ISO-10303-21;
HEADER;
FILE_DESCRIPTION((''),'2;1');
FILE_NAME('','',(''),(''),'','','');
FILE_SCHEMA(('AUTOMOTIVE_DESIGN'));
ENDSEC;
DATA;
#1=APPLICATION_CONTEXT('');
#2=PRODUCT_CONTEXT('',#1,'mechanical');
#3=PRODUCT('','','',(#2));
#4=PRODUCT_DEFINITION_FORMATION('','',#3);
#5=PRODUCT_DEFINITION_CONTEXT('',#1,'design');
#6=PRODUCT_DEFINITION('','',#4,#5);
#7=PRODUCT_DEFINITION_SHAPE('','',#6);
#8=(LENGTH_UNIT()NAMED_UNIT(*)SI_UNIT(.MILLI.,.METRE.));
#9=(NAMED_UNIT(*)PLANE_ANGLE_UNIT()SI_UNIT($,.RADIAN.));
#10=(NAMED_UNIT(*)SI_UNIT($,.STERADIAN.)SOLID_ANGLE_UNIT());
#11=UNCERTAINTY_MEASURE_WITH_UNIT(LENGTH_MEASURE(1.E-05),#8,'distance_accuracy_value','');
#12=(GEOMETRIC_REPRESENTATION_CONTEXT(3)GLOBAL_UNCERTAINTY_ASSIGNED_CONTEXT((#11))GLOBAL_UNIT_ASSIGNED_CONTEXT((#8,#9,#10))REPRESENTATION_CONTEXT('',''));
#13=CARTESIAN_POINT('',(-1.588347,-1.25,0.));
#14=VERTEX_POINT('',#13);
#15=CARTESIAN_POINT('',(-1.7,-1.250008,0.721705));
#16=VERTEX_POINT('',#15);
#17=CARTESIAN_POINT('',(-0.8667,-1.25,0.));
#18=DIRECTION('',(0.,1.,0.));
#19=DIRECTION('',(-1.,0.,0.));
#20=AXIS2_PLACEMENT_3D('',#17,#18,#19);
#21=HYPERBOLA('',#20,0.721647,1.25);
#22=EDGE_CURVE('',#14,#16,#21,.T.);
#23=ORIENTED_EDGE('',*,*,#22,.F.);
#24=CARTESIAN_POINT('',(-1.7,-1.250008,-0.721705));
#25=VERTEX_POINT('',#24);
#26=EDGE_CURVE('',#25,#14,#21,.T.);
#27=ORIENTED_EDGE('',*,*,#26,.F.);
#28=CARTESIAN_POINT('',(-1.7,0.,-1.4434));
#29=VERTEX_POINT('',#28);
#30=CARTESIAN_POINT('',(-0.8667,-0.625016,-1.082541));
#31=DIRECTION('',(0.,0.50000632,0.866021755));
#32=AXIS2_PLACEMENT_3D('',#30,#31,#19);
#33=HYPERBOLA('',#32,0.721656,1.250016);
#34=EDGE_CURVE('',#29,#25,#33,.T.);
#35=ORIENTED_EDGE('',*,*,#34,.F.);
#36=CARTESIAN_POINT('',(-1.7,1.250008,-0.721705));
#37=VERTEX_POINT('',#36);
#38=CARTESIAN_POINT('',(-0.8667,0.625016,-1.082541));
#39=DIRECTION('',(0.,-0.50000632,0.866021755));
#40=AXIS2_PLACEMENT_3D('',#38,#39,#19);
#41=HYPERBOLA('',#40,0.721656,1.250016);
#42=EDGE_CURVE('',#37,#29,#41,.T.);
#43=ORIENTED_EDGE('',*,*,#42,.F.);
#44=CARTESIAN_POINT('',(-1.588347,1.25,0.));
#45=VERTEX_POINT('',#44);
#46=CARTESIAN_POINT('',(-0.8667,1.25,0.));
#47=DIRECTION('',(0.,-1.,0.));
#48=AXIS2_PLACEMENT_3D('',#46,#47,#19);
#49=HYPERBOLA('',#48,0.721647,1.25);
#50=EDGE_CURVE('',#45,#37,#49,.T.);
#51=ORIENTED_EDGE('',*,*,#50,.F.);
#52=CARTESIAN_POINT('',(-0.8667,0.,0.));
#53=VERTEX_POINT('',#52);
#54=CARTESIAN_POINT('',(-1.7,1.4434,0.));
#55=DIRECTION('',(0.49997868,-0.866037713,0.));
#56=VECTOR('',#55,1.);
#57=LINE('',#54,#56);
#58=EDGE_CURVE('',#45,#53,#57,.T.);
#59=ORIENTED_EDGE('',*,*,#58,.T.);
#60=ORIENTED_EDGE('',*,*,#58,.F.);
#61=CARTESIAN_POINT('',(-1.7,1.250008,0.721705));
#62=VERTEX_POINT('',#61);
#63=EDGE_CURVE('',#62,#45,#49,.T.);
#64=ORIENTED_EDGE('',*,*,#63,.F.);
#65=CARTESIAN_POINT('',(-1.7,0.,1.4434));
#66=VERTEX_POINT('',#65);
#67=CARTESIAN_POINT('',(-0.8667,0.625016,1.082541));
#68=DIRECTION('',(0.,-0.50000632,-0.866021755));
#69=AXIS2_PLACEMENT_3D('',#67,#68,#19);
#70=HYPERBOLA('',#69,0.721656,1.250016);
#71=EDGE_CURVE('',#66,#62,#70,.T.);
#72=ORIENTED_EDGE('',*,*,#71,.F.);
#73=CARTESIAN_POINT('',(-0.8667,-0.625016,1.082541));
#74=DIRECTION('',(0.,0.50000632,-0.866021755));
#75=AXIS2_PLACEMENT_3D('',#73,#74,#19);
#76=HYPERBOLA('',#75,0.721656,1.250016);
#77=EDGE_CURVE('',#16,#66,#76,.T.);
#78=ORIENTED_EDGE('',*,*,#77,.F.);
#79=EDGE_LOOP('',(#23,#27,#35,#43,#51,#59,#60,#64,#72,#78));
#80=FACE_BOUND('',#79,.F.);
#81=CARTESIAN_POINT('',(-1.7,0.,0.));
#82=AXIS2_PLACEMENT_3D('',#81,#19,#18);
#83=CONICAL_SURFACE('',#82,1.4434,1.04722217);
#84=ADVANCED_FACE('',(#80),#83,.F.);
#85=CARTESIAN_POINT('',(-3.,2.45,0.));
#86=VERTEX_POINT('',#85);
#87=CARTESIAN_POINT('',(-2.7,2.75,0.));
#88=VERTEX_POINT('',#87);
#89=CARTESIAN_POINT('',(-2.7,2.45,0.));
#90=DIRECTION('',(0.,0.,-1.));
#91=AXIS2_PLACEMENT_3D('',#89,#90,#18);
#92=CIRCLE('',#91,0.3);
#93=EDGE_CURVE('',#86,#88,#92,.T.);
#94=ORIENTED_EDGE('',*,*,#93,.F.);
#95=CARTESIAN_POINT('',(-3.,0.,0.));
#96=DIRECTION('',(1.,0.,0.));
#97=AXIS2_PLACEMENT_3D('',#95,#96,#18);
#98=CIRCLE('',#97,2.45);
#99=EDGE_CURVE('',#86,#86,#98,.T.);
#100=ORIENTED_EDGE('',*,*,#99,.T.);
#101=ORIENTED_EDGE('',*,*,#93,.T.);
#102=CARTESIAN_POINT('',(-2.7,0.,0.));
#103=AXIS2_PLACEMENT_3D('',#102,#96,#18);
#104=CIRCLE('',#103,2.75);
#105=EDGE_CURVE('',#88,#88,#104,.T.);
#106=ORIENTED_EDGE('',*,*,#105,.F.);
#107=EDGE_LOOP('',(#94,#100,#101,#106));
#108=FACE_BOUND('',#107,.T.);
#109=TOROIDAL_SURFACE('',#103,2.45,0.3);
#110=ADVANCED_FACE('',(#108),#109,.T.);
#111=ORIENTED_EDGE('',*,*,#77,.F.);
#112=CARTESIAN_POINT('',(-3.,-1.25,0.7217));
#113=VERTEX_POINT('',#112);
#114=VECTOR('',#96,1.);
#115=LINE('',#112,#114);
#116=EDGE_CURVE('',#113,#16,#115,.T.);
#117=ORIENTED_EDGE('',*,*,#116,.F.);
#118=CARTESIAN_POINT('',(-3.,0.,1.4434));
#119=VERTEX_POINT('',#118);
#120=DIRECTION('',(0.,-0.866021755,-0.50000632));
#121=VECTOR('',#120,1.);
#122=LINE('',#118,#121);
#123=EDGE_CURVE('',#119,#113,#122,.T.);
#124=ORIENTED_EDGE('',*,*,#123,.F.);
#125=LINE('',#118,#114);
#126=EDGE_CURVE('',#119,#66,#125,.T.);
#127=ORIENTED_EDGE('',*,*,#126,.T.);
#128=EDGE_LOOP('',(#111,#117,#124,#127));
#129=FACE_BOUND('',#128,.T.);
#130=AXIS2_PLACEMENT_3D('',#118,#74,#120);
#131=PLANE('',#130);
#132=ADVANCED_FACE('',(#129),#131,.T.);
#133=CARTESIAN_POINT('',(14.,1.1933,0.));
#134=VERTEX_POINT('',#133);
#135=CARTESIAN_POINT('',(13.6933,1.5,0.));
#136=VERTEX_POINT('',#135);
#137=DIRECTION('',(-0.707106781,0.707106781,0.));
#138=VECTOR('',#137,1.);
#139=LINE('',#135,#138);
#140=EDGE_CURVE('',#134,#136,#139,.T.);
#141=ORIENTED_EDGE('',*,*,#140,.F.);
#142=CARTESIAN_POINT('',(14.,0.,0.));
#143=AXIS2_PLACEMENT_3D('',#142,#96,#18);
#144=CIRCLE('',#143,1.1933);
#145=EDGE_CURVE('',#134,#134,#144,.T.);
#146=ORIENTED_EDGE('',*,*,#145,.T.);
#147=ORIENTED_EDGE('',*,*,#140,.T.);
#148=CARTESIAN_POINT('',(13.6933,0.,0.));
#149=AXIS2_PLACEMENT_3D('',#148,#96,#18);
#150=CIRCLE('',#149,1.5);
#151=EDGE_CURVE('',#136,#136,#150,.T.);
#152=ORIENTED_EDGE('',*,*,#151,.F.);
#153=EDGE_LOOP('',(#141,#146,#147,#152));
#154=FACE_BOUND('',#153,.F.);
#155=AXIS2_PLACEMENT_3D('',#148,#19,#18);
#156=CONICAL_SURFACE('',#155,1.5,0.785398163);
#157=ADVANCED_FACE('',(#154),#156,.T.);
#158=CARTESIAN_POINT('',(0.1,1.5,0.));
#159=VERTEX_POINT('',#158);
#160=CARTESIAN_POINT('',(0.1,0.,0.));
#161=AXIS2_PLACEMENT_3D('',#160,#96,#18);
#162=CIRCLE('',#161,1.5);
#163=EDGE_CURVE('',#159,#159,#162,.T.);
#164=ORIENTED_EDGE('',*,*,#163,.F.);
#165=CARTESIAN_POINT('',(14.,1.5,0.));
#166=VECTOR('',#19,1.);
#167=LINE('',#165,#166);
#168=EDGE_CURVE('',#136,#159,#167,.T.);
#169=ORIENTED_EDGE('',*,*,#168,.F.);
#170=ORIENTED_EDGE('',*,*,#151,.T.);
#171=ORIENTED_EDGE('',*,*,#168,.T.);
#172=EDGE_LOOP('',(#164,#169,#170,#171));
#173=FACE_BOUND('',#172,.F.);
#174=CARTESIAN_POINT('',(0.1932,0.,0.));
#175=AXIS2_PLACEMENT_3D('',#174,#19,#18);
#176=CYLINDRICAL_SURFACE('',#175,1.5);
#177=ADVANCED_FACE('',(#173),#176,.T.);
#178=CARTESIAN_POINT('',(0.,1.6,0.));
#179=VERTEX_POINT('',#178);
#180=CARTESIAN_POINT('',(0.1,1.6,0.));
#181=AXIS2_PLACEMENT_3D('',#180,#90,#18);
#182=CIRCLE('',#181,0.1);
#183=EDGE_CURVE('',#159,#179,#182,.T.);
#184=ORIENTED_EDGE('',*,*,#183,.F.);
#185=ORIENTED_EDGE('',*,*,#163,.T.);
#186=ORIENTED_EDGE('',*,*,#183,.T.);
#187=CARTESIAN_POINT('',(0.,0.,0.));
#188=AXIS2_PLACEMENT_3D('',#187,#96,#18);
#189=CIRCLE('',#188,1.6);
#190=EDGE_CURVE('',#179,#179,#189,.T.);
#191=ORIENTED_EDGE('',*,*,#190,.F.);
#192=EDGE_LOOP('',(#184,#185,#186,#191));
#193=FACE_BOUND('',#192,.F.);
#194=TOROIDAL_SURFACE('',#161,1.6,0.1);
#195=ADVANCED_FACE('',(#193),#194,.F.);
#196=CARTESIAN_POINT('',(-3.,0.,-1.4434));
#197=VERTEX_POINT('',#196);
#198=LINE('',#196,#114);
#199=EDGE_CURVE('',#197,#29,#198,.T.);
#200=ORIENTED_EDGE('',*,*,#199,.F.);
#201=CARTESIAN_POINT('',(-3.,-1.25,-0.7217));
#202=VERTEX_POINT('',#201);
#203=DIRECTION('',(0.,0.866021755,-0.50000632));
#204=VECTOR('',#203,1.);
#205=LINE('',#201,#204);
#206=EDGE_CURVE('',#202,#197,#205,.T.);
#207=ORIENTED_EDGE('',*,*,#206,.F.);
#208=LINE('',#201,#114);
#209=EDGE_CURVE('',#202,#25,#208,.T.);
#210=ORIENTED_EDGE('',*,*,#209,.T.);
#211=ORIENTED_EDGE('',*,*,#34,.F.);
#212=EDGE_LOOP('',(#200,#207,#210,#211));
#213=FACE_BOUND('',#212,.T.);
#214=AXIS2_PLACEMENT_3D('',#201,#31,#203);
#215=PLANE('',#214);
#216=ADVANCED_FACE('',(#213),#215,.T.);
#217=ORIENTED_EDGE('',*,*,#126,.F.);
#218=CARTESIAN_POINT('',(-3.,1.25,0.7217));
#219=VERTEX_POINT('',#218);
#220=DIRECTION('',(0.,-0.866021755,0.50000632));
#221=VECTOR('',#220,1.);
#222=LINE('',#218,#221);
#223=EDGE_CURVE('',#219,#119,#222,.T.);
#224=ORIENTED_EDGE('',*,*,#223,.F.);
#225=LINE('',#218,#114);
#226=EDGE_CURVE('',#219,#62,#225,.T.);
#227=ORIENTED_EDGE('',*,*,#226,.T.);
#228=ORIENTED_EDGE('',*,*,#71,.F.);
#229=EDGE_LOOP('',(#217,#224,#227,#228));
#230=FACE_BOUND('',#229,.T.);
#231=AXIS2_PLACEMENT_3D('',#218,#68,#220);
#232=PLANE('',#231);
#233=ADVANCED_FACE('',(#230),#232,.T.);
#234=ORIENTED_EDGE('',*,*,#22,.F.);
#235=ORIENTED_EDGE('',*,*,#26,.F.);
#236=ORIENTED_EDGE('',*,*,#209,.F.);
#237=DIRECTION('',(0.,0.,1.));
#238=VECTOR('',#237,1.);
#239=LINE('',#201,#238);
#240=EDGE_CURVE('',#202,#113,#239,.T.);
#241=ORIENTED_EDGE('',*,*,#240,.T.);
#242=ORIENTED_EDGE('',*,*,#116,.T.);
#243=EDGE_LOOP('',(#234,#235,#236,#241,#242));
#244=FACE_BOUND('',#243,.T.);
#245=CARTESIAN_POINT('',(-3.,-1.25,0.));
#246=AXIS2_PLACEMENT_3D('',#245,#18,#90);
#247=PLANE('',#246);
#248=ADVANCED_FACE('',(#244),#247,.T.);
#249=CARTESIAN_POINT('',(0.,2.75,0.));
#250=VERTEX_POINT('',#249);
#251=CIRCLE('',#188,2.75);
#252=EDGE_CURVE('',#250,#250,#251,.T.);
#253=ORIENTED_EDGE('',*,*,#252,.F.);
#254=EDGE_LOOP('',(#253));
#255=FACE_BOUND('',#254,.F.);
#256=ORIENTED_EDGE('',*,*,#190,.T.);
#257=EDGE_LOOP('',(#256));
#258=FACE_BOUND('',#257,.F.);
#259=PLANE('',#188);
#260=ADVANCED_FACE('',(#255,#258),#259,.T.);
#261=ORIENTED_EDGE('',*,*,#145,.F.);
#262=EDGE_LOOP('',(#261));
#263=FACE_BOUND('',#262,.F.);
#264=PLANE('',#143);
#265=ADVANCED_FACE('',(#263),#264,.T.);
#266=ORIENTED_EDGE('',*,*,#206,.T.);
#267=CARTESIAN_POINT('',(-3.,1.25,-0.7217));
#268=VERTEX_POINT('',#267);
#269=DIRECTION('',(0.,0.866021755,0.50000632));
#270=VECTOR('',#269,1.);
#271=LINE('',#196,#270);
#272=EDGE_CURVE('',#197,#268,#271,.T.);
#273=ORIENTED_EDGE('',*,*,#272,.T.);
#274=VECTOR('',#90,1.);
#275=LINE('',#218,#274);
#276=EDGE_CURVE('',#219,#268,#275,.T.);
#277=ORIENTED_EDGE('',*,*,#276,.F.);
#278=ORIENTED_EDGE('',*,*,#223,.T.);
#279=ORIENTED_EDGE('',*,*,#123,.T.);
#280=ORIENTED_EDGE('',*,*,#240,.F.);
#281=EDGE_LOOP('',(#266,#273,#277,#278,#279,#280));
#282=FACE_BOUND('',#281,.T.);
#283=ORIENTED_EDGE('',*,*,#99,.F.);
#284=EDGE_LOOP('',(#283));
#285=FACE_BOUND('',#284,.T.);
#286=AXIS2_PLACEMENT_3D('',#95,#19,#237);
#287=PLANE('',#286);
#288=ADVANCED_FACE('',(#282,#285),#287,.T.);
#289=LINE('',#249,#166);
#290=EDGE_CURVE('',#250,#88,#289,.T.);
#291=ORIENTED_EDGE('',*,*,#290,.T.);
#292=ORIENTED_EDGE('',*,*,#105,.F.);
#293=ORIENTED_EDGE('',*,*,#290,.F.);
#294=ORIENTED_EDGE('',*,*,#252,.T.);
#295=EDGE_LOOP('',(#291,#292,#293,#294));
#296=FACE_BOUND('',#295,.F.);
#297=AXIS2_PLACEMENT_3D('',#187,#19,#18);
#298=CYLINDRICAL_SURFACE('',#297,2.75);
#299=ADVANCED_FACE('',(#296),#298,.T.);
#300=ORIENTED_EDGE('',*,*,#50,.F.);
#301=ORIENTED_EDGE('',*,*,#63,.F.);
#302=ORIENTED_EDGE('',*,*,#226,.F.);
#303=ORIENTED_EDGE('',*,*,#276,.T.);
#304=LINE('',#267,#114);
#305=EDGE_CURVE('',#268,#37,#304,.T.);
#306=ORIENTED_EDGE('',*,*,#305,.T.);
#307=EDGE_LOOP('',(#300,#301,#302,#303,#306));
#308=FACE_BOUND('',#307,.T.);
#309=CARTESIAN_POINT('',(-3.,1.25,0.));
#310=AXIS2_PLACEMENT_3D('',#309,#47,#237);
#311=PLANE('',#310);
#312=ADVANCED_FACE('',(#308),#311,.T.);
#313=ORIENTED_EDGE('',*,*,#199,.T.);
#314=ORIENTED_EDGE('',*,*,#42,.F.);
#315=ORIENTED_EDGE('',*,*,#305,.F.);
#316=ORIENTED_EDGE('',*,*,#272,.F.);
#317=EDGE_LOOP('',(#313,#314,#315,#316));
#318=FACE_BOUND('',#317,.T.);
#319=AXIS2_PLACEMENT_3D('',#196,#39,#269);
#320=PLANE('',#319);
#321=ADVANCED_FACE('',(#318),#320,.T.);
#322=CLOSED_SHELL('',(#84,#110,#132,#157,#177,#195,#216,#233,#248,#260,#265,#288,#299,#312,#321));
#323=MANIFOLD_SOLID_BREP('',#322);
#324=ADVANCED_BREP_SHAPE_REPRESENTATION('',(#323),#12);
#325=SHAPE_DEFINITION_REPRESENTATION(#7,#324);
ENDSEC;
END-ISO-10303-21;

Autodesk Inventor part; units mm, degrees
ref_plane "YZ Plane" through (0, 0, 0) normal (1, 0, 0) x (0, 1, 0)
ref_plane "XZ Plane" through (0, 0, 0) normal (0, 1, 0) x (-1, 0, 0)
sketch "Sketch1" plane through (0, 0, 0) normal (0, 0, 1) x (1, 0, 0)
  line L0 (-0.8667, 0) -> (14, 0)
  line L1 (14, 0) -> (14, 1.5)
  line L2 (14, 1.5) -> (0.5, 1.5)
  line L3 (0.5, 1.5) -> (0.1932, 1.5)
  line L4 (0.1932, 1.5) -> (0, 1.5)
  line L5 (0, 1.5) -> (0, 2.75)
  line L6 (0, 2.75) -> (-3, 2.75)
  line L7 (-3, 2.75) -> (-3, 1.4434)
  line L8 (-3, 1.4434) -> (-1.7, 1.4434)
  line L9 (-1.7, 1.4434) -> (-0.8667, 0)
  line L10 (-6.4, 0) -> (17.4, 0) projected
  line L11 (0, -0.55) -> (0, 3.3) projected
  line L12 (0.5, 1.5) -> (0, 1.5) construction
  dimension "d1" = 13.5
  dimension "d2" = 0.3068
  dimension "d3" = 3
  dimension "d4" = 1.3
  dimension "d5" = 60
  dimension "d6" = 3
  dimension "d7" = 3
  dimension "d8" = 2.8868
  dimension "d9" = 5.5
  dimension "d26" = 14
revolve "Body" add sketch "Sketch1" angle 360 about axis through (-0.8667, 0, 0) along (1, 0, 0)
sketch "Sketch2" plane through (-3, 0, 0) normal (-1, 0, 0) x (0, 0, 1)
  circle A0 centre (0, 0) radius 1.4434 projected
  line L0 (0, -3.85) -> (0, 3.85) projected
  line L1 (-3.85, 0) -> (3.85, 0) projected
  line L2 (1.4434, 0) -> (0.7217, -1.25)
  line L3 (0.7217, -1.25) -> (-0.7217, -1.25)
  line L4 (-0.7217, -1.25) -> (-1.4434, 0)
  line L5 (-1.4434, 0) -> (-0.7217, 1.25)
  line L6 (-0.7217, 1.25) -> (0.7217, 1.25)
  line L7 (0.7217, 1.25) -> (1.4434, 0)
extrude "Slot" add sketch "Sketch2" against normal up to next contours L7 A0 | A0 L2 | L6 L0 A0 | A0 L0 L3 | L0 L6 A0 | A0 L3 L0 | L4 A0 | A0 L5
fillet "Fillet1" radius 0.3 1 edges at (-3, -2.75, 0)
thread "Thread" size "M3x0.5" designation "M3" class "6g" standard "GB Metric profile" length 13.5
chamfer "Chamfer1" distance 0.3067 distance2 0.3067 1 edges at (14, -1.5, 0) measured on face at (14, -0.6587, -0.1791)
ref_plane "Work Plane1" through (29, 0, 0) normal (0, -1, 0) x (1, 0, 0)
fillet "Fillet2" radius 0.1 1 edges at (0, -1.5, 0)
equation "\"d1\" = GEL"
equation "\"d3\" = KOH"
equation "\"d4\" = INTI"
equation "\"d6\" = GD"
equation "\"d7\" = BDM"
equation "\"d8\" = 1.1547 * SW"
equation "\"d9\" = KOD"
equation "\"d26\" = NLG"
equation "\"d30\" = R"
equation "\"d17\" = RR"
equation "\"d13\" = GEL"
equation "\"d15\" = -0.5 * SPD + 0.5 * GD"
equation "\"d16\" = GUL"
equation "\"GD\" = NND"
equation "\"NLG\" = 14"
equation "\"GEL\" = 13.5"
equation "\"KOD\" = 5.5"
equation "\"KOH\" = NND"
equation "\"INTI\" = 1.3"
equation "\"GAL\" = 0.61345 * PTC"
equation "\"GUL\" = 0.61345 * PTC"
equation "\"BDM\" = NND"
equation "\"SW\" = 2.5"
equation "\"RR\" = 0.3"
equation "\"SPD\" = NND - 1.2269 * PTC"
equation "\"R\" = 0.1"
equation "\"TOA\" = 30deg"
equation "\"GD1\" = THREADDIA - 1.2269 * PTC"
equation "\"THREADDIA\" = 3"
equation "\"FAWI\" = 45deg"
equation "\"PTC\" = 0.5"
equation "\"NND\" = 3"
equation "\"E0\" = 1.155 * SW"
properties part number "Screw GB/T 70.1 M3 x 14" material "Steel, Mild"
